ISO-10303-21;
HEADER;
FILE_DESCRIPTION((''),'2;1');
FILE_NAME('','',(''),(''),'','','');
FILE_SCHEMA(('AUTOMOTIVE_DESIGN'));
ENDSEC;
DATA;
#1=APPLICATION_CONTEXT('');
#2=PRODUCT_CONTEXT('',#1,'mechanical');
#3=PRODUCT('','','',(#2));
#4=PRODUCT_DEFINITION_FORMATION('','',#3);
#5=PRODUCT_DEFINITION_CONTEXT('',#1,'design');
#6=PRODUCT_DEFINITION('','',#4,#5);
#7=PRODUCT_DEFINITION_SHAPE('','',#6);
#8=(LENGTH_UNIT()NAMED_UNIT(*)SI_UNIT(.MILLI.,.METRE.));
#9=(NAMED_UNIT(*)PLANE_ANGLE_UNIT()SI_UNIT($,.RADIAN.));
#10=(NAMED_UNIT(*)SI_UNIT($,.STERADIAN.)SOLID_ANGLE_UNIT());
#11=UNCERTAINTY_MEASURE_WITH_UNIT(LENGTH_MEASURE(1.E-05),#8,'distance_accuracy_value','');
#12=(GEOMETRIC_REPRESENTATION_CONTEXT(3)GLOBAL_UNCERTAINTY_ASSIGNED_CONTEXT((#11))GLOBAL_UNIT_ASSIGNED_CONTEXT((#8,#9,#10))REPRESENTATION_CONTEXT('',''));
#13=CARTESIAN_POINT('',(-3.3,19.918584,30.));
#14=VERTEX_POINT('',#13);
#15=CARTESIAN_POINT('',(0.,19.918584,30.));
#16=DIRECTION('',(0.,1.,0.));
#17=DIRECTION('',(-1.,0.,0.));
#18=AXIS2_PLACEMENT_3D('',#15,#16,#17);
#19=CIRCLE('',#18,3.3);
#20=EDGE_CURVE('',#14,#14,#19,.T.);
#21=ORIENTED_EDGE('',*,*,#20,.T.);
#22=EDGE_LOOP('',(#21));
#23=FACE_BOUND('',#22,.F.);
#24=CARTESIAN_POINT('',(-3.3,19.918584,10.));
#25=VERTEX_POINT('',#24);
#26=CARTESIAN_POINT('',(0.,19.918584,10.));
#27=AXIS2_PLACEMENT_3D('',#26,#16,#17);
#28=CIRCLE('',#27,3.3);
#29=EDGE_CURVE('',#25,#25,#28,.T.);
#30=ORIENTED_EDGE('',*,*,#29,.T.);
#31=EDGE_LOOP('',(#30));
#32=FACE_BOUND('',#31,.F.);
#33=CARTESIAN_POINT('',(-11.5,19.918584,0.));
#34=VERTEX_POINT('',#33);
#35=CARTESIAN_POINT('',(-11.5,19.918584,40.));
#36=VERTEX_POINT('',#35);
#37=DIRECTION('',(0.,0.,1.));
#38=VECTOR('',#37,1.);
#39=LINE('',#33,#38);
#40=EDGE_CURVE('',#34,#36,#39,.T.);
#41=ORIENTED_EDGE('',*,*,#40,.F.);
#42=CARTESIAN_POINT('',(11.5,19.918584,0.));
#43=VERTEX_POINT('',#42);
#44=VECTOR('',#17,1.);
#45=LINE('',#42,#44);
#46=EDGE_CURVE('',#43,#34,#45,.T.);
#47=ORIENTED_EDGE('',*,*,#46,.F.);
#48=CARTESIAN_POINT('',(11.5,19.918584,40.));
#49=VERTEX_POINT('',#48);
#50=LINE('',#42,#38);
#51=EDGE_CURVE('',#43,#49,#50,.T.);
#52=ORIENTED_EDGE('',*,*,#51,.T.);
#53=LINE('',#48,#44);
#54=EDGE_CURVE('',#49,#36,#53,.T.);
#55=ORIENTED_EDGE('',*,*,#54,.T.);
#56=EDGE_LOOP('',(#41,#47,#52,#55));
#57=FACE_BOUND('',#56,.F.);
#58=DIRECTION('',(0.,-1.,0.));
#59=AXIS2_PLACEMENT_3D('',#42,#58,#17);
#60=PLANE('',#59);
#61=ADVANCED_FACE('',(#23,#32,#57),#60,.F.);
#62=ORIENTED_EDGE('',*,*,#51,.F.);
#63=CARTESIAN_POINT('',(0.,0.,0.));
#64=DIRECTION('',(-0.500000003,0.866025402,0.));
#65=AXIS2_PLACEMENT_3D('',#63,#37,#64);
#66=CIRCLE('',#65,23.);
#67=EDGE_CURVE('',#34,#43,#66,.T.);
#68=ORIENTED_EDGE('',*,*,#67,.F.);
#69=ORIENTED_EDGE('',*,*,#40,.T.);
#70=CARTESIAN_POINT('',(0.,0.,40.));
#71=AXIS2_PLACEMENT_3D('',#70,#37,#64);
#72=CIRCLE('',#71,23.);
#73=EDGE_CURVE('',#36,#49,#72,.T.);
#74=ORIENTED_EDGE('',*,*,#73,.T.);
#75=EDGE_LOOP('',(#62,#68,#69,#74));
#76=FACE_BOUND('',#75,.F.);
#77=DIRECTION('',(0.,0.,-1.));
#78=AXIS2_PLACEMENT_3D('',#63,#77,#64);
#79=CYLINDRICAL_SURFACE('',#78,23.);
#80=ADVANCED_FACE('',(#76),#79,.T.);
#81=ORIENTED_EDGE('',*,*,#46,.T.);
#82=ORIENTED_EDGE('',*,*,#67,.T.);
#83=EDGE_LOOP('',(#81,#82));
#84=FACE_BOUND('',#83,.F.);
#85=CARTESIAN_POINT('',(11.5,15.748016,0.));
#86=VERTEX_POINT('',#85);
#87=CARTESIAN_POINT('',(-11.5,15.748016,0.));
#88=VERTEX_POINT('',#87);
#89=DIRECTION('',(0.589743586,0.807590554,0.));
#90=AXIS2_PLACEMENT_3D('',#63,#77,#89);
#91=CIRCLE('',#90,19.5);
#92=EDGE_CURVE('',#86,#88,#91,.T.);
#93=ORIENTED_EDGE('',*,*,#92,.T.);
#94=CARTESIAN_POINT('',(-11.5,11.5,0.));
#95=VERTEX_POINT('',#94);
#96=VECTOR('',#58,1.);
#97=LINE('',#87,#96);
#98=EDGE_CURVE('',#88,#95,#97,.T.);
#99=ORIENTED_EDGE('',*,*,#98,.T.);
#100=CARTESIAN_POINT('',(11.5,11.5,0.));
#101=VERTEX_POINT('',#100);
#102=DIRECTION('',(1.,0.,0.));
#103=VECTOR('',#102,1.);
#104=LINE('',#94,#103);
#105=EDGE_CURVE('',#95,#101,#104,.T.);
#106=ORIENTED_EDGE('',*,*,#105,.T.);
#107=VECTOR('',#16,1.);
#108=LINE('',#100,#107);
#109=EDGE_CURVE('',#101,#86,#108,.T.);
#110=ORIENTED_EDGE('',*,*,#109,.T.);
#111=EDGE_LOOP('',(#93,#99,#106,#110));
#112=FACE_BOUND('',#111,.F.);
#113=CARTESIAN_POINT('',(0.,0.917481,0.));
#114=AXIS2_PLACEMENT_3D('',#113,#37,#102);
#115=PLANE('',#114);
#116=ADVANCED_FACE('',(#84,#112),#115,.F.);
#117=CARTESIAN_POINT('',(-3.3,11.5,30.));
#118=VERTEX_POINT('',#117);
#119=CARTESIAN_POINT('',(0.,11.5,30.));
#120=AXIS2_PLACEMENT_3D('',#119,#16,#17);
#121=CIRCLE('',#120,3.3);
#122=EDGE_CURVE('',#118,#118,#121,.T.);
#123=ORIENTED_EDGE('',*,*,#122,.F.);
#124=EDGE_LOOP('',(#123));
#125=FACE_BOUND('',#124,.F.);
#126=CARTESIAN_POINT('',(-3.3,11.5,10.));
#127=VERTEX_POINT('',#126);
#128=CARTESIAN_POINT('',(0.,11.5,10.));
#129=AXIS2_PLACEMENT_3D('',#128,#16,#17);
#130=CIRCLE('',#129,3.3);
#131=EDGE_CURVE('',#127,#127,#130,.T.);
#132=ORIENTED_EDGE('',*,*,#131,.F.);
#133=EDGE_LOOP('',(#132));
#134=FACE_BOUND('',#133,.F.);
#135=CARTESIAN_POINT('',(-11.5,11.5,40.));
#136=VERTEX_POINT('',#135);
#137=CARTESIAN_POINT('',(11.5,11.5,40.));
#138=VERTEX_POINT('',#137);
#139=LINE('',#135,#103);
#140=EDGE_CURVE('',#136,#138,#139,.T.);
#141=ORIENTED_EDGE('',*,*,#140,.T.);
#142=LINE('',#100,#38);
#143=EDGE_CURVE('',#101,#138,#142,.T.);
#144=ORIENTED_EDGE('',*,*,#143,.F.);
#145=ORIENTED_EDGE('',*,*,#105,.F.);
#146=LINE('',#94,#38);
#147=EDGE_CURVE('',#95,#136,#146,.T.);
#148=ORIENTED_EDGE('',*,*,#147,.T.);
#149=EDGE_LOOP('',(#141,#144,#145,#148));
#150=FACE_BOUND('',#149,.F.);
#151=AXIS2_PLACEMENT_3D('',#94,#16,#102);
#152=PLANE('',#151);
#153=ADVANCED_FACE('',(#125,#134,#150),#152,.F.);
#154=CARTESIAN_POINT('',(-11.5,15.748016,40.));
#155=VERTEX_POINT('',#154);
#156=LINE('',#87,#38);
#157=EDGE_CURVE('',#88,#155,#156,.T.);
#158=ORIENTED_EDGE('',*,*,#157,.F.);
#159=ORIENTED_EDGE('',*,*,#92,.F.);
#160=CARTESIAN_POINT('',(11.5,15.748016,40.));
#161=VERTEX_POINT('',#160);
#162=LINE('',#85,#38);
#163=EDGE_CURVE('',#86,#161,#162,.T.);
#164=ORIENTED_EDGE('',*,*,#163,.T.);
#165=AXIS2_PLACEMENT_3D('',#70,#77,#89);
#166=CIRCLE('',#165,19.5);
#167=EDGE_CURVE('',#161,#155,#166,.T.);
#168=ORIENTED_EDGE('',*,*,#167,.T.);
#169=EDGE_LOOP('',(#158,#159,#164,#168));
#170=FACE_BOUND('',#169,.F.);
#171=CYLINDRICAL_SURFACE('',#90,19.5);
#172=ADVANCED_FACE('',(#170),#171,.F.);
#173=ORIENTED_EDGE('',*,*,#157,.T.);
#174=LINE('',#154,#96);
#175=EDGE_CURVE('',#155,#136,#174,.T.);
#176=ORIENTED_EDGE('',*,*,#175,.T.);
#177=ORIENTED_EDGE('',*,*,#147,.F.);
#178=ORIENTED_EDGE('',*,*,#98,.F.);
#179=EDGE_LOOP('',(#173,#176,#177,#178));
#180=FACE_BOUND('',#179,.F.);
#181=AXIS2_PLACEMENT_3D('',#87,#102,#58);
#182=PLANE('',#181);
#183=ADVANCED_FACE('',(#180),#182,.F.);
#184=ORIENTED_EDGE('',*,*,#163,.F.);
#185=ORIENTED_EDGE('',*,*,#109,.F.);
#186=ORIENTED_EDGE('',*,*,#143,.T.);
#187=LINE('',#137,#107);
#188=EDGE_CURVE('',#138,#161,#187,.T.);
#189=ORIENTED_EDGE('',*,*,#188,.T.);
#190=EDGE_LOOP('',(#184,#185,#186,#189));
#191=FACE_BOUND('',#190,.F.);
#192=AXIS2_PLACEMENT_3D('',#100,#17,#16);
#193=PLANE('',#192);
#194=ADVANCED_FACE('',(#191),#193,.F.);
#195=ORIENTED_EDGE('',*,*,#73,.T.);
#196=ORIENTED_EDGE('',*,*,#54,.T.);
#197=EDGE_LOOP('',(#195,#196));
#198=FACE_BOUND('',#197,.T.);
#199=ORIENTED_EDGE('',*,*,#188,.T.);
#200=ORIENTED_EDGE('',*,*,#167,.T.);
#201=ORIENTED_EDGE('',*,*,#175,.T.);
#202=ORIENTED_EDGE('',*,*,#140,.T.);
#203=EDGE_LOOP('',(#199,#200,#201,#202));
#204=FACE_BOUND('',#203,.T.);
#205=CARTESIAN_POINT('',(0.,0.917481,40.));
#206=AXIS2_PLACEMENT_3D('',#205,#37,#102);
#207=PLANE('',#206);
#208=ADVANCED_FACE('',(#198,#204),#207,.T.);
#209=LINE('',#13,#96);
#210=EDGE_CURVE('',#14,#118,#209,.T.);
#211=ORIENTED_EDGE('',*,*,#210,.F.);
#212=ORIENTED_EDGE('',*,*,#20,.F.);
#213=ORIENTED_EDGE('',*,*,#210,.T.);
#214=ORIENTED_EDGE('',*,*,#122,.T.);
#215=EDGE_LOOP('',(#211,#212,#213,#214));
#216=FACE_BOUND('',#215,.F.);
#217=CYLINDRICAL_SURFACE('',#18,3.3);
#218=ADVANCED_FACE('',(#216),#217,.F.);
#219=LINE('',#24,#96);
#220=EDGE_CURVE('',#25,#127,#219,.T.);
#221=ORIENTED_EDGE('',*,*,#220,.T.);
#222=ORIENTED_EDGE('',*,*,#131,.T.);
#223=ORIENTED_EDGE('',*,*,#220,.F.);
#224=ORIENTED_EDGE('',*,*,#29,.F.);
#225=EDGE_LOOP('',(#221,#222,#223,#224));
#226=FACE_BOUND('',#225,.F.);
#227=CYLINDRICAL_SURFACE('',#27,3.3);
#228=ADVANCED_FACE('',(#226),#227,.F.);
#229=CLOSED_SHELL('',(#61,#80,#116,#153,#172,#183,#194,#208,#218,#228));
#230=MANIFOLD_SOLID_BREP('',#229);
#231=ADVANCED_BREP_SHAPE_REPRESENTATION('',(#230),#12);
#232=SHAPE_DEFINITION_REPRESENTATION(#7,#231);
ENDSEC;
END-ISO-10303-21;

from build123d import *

# Parameters (mm, degrees)
F1_DEPTH = 40
F2_R     = 3.3
F3_DEPTH = 8.418584


with BuildPart() as f1:
    # F0 (on Top) → F1 (new body)
    with BuildSketch(Plane.XY):
        with BuildLine():
            Line((11.5, 19.918584), (-11.5, 19.918584))
            ThreePointArc((-11.5, 19.918584), (0, -23), (11.5, 19.918584))
        make_face()
        with BuildLine():
            ThreePointArc((11.5, 15.748016), (0, -19.5), (-11.5, 15.748016))
            Line((-11.5, 15.748016), (-11.5, 11.5))
            Line((-11.5, 11.5), (11.5, 11.5))
            Line((11.5, 11.5), (11.5, 15.748016))
        make_face(mode=Mode.SUBTRACT)
    extrude(amount=F1_DEPTH)

    # F2 (on face) → F3 (cut, through all)
    with BuildSketch(Plane(origin=(0, 19.918584, 0), x_dir=(-1, 0, 0), z_dir=(0, 1, 0))):
        with Locations((0, 30)):
            Circle(F2_R)
        with Locations((0, 10)):
            Circle(F2_R)
    extrude(amount=-F3_DEPTH, mode=Mode.SUBTRACT)


solid = f1.part
